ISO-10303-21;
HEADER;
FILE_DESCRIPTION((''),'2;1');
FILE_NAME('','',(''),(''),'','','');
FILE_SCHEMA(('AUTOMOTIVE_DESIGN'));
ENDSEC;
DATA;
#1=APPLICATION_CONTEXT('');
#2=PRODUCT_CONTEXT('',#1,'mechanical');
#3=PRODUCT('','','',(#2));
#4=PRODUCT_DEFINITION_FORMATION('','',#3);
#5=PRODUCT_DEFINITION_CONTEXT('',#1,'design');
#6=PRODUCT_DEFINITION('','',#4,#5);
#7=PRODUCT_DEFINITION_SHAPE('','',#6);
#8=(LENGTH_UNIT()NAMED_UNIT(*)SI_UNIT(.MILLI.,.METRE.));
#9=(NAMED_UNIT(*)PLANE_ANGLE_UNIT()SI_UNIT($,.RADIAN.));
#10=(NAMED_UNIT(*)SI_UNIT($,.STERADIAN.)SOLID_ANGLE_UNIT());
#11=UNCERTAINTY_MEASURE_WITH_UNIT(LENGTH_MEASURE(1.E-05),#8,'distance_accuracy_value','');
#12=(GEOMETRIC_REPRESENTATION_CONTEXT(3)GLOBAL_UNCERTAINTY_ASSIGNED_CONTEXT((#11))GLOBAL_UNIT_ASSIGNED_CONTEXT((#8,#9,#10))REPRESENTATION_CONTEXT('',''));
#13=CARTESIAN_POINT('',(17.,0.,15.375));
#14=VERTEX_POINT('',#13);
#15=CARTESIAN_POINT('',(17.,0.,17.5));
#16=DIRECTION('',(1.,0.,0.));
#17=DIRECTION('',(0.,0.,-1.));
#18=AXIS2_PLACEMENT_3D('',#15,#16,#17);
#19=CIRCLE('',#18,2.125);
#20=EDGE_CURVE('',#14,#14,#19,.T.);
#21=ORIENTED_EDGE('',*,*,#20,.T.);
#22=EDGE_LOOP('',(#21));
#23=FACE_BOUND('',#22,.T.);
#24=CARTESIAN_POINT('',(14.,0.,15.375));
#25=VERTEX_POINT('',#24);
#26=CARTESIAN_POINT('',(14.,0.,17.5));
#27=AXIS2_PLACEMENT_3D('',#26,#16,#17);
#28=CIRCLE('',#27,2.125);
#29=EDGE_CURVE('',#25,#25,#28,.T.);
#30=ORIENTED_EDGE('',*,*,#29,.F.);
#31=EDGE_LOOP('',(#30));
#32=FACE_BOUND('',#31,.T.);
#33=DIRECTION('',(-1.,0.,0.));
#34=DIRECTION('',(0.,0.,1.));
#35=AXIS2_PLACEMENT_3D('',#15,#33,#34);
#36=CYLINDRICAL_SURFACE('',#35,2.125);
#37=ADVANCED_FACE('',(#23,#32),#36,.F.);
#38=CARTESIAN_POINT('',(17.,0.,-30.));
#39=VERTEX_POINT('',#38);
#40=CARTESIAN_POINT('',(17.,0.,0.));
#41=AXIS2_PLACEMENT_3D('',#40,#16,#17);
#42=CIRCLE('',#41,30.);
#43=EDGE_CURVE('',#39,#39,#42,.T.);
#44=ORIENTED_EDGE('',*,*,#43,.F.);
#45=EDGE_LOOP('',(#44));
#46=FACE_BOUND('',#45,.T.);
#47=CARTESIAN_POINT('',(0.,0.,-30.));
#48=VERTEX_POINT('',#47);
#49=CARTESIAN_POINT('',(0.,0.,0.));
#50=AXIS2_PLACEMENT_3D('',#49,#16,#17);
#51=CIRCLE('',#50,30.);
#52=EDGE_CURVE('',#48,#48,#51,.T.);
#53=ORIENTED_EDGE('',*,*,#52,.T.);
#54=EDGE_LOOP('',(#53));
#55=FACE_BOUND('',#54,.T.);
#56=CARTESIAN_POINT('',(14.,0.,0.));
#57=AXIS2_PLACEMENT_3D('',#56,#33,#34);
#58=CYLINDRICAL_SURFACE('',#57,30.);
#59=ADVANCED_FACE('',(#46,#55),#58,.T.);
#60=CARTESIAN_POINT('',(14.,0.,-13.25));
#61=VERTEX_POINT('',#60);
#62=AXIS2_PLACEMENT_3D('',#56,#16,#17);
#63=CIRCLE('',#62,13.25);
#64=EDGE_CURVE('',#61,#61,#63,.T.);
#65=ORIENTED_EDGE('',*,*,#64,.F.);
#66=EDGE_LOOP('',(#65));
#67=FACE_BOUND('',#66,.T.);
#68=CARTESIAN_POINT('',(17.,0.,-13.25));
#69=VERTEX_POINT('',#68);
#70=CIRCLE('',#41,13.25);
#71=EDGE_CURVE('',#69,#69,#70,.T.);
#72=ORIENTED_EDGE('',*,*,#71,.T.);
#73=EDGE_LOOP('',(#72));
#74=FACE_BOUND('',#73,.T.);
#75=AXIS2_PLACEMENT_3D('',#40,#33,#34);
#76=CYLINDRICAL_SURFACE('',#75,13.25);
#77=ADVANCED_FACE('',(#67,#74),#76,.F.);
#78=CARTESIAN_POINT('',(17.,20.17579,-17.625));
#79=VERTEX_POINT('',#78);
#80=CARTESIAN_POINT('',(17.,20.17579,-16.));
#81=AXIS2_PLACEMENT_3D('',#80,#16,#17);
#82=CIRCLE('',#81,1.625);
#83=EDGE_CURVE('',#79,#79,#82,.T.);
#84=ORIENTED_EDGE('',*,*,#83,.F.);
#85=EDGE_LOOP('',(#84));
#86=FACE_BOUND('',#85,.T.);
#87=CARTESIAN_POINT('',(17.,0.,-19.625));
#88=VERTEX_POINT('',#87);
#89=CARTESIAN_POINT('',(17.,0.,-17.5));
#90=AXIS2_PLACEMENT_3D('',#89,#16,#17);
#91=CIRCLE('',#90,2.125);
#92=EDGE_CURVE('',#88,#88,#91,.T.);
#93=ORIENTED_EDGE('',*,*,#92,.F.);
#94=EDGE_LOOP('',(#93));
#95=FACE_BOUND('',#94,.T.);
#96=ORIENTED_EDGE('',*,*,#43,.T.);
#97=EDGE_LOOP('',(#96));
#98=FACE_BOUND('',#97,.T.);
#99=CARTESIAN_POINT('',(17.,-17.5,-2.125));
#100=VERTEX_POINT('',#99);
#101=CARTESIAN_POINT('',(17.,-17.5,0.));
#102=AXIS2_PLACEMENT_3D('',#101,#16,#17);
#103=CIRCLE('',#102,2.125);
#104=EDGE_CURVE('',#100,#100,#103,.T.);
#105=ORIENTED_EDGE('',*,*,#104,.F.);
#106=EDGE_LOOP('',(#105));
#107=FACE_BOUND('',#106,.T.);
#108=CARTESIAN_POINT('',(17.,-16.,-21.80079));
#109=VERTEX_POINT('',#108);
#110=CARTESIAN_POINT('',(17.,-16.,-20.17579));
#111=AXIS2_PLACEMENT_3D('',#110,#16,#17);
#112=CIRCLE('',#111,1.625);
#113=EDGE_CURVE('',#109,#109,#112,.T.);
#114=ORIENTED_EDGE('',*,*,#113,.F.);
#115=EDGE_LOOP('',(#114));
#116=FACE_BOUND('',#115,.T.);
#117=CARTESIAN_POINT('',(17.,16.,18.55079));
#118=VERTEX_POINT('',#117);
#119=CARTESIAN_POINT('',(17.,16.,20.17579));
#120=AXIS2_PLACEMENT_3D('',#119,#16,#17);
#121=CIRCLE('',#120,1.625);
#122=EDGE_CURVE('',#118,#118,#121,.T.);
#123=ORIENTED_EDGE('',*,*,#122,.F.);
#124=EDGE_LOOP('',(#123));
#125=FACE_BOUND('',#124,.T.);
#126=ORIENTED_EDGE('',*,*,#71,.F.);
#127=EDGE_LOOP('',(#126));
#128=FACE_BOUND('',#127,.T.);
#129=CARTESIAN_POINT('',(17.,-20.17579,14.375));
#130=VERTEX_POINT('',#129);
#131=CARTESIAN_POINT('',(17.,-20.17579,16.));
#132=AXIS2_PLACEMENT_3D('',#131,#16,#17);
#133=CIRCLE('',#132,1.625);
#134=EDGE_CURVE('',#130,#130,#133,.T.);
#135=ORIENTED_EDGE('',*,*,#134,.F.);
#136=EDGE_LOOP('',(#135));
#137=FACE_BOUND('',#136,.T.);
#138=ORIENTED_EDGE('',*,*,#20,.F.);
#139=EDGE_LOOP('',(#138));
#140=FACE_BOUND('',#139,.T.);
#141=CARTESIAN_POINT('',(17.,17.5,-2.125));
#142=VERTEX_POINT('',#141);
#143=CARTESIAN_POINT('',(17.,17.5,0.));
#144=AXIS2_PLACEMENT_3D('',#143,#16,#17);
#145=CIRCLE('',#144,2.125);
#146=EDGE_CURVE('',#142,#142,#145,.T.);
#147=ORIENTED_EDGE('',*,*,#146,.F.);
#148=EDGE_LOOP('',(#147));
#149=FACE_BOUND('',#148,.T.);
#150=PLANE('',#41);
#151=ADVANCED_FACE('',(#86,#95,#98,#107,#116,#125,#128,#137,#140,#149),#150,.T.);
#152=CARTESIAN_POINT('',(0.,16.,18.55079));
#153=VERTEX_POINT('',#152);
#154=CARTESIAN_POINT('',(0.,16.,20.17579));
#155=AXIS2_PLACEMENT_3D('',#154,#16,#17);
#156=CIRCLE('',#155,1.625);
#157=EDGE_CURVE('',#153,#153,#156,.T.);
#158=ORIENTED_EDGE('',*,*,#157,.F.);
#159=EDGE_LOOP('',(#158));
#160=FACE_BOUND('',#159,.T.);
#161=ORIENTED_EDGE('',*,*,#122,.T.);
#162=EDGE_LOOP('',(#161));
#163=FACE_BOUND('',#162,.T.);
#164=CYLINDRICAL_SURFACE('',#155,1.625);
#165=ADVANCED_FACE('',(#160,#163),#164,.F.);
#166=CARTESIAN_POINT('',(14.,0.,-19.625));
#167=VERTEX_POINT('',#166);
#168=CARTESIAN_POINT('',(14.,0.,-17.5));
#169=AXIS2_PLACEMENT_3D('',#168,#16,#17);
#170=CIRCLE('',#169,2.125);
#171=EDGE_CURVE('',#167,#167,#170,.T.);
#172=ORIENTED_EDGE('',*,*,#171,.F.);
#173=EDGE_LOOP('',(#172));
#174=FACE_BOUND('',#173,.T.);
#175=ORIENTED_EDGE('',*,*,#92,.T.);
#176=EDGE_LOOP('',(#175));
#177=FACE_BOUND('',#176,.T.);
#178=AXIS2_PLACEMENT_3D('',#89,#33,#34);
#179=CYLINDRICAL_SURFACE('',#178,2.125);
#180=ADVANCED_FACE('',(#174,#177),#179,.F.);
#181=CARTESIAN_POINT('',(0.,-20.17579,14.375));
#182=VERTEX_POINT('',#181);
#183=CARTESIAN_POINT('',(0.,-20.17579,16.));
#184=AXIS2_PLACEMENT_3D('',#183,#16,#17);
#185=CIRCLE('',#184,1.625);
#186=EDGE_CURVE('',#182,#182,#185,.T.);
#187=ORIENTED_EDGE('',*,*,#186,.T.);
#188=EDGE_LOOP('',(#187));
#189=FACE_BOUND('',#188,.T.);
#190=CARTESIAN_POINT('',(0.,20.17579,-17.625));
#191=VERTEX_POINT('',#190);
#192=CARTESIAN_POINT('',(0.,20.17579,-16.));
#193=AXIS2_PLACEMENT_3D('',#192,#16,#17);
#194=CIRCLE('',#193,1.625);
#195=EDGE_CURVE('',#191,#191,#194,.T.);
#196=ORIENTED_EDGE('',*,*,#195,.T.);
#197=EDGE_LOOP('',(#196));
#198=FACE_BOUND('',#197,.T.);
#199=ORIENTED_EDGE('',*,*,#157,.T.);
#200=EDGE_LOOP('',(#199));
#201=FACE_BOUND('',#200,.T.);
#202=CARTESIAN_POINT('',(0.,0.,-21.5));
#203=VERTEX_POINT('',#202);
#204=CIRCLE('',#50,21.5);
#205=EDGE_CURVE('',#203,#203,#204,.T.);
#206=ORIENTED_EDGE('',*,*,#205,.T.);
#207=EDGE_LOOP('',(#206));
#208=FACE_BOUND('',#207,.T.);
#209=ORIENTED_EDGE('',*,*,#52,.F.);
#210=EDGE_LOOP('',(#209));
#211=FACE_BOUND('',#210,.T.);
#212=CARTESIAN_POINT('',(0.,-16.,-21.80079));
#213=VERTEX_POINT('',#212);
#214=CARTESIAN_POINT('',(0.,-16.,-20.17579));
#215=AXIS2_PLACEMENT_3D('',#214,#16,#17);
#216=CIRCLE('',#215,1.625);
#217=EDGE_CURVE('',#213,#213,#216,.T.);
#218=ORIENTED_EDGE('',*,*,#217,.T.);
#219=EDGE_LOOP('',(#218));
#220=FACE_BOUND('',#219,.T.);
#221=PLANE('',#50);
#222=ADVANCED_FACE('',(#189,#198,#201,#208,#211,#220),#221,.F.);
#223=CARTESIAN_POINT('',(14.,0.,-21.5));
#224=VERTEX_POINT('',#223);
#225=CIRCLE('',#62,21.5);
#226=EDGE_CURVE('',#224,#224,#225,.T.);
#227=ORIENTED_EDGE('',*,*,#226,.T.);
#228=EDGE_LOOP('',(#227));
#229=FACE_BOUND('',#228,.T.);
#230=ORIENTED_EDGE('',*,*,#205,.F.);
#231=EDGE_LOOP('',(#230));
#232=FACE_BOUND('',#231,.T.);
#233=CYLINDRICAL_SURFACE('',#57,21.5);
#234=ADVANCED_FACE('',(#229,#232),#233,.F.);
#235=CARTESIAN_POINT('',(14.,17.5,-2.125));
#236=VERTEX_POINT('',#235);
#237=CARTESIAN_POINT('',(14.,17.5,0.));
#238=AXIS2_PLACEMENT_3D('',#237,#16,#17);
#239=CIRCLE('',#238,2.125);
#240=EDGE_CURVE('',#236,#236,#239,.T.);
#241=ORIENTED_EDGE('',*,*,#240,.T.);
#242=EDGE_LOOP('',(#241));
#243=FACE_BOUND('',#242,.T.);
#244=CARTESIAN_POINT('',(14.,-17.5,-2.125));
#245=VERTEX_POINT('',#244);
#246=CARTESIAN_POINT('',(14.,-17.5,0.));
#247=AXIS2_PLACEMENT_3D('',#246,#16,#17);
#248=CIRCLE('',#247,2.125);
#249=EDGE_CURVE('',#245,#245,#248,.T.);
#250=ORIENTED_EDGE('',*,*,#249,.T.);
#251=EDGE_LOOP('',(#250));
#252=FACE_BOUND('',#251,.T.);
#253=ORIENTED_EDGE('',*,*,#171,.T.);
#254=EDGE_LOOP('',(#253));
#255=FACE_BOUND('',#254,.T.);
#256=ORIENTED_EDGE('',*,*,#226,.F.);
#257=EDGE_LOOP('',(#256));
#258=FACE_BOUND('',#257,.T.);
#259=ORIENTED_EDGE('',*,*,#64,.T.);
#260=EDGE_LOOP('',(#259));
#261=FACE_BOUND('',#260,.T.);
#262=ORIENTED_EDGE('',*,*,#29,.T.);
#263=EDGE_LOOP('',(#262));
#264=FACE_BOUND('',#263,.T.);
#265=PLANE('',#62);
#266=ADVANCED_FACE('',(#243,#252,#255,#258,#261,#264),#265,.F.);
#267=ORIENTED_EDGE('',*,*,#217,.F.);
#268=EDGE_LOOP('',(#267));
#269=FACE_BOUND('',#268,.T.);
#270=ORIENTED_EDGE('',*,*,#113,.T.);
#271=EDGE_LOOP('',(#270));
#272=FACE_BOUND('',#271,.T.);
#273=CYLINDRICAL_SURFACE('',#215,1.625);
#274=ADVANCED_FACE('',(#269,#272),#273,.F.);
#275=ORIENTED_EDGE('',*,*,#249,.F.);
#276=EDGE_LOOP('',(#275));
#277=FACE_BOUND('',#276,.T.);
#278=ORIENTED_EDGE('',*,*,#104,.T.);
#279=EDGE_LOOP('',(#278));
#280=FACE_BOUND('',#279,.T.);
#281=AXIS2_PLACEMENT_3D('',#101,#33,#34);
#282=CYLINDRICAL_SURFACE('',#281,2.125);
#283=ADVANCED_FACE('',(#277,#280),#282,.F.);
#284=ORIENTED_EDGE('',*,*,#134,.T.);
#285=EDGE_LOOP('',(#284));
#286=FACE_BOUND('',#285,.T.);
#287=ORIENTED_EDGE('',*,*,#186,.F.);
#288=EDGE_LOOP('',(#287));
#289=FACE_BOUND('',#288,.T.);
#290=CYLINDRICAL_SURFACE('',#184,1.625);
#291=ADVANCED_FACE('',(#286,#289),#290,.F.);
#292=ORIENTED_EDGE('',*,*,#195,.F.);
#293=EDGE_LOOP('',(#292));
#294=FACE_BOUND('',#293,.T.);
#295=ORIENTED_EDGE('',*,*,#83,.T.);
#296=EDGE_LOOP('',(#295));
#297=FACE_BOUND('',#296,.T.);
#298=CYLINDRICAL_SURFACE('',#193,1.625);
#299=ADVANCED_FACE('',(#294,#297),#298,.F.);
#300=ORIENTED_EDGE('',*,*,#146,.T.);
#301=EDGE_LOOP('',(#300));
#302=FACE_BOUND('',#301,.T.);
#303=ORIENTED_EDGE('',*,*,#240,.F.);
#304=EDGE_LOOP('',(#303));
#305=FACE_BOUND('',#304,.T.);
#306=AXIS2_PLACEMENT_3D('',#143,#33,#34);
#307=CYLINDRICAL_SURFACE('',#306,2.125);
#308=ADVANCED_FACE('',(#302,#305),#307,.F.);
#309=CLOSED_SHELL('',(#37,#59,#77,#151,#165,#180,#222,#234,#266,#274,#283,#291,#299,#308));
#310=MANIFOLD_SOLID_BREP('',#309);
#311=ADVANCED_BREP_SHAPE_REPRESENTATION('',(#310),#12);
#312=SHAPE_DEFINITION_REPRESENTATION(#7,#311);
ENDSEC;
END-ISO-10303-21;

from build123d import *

# Parameters (mm, degrees)
SKETCH1_R           = 30
SKETCH1_R_2         = 21.5
BOSS_EXTRUDE1_DEPTH = 14
SKETCH2_R           = 30
SKETCH2_R_2         = 2.125
SKETCH2_R_3         = 13.25
BOSS_EXTRUDE2_DEPTH = 3
SKETCH4_R           = 1.625
CUT_EXTRUDE1_DEPTH  = 46.705579528


with BuildPart() as part:
    # Sketch1 → Boss-Extrude1 (new body)
    with BuildSketch(Plane(origin=(0, 0, 0), x_dir=(0, 0, -1), z_dir=(1, 0, 0))):
        Circle(SKETCH1_R)
        Circle(SKETCH1_R_2, mode=Mode.SUBTRACT)
    extrude(amount=BOSS_EXTRUDE1_DEPTH)

    # Sketch2 → Boss-Extrude2 (add)
    with BuildSketch(Plane(origin=(14, 0, 0), x_dir=(0, 0, -1), z_dir=(1, 0, 0))):
        Circle(SKETCH2_R)
        with Locations((0, 17.5)):
            Circle(SKETCH2_R_2, mode=Mode.SUBTRACT)
        with Locations((17.5, 0)):
            Circle(SKETCH2_R_2, mode=Mode.SUBTRACT)
        with Locations((0, -17.5)):
            Circle(SKETCH2_R_2, mode=Mode.SUBTRACT)
        with Locations((-17.5, 0)):
            Circle(SKETCH2_R_2, mode=Mode.SUBTRACT)
        Circle(SKETCH2_R_3, mode=Mode.SUBTRACT)
    extrude(amount=BOSS_EXTRUDE2_DEPTH)

    # Sketch4 → Cut-Extrude1 (cut, through all)
    with BuildSketch(Plane(origin=(17, 0, 0), x_dir=(0, 0, -1), z_dir=(1, 0, 0))):
        with Locations((-20.175789947, 16)):
            Circle(SKETCH4_R)
        with Locations((16, 20.175789947)):
            Circle(SKETCH4_R)
        with Locations((20.175789947, -16)):
            Circle(SKETCH4_R)
        with Locations((-16, -20.175789947)):
            Circle(SKETCH4_R)
    extrude(amount=-CUT_EXTRUDE1_DEPTH, mode=Mode.SUBTRACT)


solid = part.part
